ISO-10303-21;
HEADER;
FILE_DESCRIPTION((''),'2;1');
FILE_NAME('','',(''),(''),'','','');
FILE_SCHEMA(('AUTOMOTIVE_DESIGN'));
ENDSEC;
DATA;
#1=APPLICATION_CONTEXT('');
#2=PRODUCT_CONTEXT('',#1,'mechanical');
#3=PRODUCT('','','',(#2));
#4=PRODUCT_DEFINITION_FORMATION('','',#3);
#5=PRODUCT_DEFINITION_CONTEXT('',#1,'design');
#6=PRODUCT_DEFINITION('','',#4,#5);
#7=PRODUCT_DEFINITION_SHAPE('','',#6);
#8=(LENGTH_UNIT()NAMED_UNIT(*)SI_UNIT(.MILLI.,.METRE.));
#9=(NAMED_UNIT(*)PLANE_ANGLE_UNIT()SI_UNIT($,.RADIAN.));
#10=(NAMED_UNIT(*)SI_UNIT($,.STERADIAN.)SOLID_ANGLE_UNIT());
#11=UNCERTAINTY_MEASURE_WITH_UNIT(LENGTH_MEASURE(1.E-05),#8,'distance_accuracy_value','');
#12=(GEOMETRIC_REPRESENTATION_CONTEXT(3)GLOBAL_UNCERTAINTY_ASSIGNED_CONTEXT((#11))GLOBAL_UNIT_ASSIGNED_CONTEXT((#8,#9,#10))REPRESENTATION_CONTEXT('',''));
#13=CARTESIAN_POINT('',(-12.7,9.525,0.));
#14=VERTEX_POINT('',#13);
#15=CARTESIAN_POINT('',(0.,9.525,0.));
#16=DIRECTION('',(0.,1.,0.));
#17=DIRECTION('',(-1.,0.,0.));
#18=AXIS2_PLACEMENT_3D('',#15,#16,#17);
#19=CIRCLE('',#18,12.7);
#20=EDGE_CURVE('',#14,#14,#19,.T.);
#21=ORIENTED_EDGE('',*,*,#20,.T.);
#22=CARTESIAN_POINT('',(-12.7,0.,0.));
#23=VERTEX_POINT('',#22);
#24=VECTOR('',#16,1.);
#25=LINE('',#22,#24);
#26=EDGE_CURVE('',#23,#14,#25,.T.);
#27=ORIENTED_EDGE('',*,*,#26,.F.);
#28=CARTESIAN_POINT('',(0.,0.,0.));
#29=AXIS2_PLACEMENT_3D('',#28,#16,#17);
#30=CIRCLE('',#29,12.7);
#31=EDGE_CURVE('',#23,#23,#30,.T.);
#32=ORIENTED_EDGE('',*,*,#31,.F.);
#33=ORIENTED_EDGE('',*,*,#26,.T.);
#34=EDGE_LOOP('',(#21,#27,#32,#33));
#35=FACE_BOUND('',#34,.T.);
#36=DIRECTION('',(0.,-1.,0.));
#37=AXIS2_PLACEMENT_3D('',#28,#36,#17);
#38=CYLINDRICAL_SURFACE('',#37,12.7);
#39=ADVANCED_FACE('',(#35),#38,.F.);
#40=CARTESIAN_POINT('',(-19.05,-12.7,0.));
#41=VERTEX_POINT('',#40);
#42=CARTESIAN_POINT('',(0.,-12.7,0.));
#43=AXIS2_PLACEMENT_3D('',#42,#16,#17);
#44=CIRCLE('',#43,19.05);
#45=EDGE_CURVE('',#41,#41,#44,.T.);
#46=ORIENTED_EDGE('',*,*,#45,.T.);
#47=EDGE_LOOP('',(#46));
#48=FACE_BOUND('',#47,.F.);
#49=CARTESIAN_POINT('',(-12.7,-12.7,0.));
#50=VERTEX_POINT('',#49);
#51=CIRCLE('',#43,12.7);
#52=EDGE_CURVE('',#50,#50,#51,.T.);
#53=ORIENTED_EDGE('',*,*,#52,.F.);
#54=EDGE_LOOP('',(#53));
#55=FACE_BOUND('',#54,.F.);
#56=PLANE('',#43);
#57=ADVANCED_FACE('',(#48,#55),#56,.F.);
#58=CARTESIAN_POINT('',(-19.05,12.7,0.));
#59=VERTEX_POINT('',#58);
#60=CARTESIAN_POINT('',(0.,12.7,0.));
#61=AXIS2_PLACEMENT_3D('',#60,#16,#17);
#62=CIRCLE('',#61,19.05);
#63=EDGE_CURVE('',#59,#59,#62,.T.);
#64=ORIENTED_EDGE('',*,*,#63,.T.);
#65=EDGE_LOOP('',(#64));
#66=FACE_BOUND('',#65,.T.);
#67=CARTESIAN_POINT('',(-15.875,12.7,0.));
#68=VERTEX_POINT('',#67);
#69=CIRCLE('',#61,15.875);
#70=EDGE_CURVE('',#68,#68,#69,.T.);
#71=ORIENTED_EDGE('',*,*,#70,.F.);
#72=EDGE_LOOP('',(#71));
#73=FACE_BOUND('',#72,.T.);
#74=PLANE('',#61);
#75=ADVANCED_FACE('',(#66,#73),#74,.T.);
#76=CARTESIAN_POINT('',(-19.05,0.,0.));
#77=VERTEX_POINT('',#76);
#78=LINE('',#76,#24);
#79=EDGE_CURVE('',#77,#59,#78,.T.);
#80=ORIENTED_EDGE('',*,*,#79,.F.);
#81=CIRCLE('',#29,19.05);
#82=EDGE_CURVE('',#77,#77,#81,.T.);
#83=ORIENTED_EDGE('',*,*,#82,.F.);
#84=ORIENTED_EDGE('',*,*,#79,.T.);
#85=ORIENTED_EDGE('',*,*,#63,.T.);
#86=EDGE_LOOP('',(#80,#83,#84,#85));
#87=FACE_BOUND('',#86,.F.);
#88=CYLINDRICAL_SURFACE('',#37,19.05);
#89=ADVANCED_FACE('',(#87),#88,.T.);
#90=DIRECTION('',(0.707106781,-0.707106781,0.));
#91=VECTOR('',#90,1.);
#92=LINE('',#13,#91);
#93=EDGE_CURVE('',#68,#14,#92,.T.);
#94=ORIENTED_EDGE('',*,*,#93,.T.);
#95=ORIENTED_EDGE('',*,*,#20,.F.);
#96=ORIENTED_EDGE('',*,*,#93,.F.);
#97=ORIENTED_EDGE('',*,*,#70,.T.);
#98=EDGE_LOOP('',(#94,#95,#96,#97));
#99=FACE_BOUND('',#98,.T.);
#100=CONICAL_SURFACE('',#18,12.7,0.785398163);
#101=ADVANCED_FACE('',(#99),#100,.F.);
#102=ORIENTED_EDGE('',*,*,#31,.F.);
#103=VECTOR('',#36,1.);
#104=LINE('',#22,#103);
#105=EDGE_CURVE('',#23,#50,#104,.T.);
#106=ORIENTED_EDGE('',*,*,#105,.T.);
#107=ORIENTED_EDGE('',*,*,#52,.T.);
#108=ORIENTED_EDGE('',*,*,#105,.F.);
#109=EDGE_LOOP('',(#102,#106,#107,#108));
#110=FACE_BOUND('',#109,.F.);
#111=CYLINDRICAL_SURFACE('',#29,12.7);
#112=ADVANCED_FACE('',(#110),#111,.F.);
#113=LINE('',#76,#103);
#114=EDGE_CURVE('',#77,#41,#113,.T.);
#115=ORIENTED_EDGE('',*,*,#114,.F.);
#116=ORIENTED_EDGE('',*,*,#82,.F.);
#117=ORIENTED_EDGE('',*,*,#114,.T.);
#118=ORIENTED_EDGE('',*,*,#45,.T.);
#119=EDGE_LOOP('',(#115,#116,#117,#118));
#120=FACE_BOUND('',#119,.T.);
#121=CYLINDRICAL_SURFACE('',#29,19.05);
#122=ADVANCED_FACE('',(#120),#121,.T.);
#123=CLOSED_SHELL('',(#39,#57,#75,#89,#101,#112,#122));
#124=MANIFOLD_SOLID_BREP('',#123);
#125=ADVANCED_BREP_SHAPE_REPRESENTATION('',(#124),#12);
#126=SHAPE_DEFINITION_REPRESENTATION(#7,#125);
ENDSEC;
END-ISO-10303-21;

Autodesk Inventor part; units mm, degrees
ref_plane "YZ Plane" through (0, 0, 0) normal (1, 0, 0) x (0, 1, 0)
ref_plane "XZ Plane" through (0, 0, 0) normal (0, 1, 0) x (-1, 0, 0)
ref_plane "XY Plane" through (0, 0, 0) normal (0, 0, 1) x (1, 0, 0)
sketch "Sketch3" plane through (0, 0, 0) normal (0, 1, 0) x (-1, 0, 0)
  circle A0 centre (0, 0) radius 12.7
  circle A1 centre (0, 0) radius 19.05
  dimension "d7" = 25.4
  dimension "d8" = 38.1
extrude "Extrusion1" add sketch "Sketch3" along normal mid plane 25.4
chamfer "Chamfer1" distance 3.175 angle 45 1 edges at (12.7, 12.7, 0)
properties part number "Tube"
